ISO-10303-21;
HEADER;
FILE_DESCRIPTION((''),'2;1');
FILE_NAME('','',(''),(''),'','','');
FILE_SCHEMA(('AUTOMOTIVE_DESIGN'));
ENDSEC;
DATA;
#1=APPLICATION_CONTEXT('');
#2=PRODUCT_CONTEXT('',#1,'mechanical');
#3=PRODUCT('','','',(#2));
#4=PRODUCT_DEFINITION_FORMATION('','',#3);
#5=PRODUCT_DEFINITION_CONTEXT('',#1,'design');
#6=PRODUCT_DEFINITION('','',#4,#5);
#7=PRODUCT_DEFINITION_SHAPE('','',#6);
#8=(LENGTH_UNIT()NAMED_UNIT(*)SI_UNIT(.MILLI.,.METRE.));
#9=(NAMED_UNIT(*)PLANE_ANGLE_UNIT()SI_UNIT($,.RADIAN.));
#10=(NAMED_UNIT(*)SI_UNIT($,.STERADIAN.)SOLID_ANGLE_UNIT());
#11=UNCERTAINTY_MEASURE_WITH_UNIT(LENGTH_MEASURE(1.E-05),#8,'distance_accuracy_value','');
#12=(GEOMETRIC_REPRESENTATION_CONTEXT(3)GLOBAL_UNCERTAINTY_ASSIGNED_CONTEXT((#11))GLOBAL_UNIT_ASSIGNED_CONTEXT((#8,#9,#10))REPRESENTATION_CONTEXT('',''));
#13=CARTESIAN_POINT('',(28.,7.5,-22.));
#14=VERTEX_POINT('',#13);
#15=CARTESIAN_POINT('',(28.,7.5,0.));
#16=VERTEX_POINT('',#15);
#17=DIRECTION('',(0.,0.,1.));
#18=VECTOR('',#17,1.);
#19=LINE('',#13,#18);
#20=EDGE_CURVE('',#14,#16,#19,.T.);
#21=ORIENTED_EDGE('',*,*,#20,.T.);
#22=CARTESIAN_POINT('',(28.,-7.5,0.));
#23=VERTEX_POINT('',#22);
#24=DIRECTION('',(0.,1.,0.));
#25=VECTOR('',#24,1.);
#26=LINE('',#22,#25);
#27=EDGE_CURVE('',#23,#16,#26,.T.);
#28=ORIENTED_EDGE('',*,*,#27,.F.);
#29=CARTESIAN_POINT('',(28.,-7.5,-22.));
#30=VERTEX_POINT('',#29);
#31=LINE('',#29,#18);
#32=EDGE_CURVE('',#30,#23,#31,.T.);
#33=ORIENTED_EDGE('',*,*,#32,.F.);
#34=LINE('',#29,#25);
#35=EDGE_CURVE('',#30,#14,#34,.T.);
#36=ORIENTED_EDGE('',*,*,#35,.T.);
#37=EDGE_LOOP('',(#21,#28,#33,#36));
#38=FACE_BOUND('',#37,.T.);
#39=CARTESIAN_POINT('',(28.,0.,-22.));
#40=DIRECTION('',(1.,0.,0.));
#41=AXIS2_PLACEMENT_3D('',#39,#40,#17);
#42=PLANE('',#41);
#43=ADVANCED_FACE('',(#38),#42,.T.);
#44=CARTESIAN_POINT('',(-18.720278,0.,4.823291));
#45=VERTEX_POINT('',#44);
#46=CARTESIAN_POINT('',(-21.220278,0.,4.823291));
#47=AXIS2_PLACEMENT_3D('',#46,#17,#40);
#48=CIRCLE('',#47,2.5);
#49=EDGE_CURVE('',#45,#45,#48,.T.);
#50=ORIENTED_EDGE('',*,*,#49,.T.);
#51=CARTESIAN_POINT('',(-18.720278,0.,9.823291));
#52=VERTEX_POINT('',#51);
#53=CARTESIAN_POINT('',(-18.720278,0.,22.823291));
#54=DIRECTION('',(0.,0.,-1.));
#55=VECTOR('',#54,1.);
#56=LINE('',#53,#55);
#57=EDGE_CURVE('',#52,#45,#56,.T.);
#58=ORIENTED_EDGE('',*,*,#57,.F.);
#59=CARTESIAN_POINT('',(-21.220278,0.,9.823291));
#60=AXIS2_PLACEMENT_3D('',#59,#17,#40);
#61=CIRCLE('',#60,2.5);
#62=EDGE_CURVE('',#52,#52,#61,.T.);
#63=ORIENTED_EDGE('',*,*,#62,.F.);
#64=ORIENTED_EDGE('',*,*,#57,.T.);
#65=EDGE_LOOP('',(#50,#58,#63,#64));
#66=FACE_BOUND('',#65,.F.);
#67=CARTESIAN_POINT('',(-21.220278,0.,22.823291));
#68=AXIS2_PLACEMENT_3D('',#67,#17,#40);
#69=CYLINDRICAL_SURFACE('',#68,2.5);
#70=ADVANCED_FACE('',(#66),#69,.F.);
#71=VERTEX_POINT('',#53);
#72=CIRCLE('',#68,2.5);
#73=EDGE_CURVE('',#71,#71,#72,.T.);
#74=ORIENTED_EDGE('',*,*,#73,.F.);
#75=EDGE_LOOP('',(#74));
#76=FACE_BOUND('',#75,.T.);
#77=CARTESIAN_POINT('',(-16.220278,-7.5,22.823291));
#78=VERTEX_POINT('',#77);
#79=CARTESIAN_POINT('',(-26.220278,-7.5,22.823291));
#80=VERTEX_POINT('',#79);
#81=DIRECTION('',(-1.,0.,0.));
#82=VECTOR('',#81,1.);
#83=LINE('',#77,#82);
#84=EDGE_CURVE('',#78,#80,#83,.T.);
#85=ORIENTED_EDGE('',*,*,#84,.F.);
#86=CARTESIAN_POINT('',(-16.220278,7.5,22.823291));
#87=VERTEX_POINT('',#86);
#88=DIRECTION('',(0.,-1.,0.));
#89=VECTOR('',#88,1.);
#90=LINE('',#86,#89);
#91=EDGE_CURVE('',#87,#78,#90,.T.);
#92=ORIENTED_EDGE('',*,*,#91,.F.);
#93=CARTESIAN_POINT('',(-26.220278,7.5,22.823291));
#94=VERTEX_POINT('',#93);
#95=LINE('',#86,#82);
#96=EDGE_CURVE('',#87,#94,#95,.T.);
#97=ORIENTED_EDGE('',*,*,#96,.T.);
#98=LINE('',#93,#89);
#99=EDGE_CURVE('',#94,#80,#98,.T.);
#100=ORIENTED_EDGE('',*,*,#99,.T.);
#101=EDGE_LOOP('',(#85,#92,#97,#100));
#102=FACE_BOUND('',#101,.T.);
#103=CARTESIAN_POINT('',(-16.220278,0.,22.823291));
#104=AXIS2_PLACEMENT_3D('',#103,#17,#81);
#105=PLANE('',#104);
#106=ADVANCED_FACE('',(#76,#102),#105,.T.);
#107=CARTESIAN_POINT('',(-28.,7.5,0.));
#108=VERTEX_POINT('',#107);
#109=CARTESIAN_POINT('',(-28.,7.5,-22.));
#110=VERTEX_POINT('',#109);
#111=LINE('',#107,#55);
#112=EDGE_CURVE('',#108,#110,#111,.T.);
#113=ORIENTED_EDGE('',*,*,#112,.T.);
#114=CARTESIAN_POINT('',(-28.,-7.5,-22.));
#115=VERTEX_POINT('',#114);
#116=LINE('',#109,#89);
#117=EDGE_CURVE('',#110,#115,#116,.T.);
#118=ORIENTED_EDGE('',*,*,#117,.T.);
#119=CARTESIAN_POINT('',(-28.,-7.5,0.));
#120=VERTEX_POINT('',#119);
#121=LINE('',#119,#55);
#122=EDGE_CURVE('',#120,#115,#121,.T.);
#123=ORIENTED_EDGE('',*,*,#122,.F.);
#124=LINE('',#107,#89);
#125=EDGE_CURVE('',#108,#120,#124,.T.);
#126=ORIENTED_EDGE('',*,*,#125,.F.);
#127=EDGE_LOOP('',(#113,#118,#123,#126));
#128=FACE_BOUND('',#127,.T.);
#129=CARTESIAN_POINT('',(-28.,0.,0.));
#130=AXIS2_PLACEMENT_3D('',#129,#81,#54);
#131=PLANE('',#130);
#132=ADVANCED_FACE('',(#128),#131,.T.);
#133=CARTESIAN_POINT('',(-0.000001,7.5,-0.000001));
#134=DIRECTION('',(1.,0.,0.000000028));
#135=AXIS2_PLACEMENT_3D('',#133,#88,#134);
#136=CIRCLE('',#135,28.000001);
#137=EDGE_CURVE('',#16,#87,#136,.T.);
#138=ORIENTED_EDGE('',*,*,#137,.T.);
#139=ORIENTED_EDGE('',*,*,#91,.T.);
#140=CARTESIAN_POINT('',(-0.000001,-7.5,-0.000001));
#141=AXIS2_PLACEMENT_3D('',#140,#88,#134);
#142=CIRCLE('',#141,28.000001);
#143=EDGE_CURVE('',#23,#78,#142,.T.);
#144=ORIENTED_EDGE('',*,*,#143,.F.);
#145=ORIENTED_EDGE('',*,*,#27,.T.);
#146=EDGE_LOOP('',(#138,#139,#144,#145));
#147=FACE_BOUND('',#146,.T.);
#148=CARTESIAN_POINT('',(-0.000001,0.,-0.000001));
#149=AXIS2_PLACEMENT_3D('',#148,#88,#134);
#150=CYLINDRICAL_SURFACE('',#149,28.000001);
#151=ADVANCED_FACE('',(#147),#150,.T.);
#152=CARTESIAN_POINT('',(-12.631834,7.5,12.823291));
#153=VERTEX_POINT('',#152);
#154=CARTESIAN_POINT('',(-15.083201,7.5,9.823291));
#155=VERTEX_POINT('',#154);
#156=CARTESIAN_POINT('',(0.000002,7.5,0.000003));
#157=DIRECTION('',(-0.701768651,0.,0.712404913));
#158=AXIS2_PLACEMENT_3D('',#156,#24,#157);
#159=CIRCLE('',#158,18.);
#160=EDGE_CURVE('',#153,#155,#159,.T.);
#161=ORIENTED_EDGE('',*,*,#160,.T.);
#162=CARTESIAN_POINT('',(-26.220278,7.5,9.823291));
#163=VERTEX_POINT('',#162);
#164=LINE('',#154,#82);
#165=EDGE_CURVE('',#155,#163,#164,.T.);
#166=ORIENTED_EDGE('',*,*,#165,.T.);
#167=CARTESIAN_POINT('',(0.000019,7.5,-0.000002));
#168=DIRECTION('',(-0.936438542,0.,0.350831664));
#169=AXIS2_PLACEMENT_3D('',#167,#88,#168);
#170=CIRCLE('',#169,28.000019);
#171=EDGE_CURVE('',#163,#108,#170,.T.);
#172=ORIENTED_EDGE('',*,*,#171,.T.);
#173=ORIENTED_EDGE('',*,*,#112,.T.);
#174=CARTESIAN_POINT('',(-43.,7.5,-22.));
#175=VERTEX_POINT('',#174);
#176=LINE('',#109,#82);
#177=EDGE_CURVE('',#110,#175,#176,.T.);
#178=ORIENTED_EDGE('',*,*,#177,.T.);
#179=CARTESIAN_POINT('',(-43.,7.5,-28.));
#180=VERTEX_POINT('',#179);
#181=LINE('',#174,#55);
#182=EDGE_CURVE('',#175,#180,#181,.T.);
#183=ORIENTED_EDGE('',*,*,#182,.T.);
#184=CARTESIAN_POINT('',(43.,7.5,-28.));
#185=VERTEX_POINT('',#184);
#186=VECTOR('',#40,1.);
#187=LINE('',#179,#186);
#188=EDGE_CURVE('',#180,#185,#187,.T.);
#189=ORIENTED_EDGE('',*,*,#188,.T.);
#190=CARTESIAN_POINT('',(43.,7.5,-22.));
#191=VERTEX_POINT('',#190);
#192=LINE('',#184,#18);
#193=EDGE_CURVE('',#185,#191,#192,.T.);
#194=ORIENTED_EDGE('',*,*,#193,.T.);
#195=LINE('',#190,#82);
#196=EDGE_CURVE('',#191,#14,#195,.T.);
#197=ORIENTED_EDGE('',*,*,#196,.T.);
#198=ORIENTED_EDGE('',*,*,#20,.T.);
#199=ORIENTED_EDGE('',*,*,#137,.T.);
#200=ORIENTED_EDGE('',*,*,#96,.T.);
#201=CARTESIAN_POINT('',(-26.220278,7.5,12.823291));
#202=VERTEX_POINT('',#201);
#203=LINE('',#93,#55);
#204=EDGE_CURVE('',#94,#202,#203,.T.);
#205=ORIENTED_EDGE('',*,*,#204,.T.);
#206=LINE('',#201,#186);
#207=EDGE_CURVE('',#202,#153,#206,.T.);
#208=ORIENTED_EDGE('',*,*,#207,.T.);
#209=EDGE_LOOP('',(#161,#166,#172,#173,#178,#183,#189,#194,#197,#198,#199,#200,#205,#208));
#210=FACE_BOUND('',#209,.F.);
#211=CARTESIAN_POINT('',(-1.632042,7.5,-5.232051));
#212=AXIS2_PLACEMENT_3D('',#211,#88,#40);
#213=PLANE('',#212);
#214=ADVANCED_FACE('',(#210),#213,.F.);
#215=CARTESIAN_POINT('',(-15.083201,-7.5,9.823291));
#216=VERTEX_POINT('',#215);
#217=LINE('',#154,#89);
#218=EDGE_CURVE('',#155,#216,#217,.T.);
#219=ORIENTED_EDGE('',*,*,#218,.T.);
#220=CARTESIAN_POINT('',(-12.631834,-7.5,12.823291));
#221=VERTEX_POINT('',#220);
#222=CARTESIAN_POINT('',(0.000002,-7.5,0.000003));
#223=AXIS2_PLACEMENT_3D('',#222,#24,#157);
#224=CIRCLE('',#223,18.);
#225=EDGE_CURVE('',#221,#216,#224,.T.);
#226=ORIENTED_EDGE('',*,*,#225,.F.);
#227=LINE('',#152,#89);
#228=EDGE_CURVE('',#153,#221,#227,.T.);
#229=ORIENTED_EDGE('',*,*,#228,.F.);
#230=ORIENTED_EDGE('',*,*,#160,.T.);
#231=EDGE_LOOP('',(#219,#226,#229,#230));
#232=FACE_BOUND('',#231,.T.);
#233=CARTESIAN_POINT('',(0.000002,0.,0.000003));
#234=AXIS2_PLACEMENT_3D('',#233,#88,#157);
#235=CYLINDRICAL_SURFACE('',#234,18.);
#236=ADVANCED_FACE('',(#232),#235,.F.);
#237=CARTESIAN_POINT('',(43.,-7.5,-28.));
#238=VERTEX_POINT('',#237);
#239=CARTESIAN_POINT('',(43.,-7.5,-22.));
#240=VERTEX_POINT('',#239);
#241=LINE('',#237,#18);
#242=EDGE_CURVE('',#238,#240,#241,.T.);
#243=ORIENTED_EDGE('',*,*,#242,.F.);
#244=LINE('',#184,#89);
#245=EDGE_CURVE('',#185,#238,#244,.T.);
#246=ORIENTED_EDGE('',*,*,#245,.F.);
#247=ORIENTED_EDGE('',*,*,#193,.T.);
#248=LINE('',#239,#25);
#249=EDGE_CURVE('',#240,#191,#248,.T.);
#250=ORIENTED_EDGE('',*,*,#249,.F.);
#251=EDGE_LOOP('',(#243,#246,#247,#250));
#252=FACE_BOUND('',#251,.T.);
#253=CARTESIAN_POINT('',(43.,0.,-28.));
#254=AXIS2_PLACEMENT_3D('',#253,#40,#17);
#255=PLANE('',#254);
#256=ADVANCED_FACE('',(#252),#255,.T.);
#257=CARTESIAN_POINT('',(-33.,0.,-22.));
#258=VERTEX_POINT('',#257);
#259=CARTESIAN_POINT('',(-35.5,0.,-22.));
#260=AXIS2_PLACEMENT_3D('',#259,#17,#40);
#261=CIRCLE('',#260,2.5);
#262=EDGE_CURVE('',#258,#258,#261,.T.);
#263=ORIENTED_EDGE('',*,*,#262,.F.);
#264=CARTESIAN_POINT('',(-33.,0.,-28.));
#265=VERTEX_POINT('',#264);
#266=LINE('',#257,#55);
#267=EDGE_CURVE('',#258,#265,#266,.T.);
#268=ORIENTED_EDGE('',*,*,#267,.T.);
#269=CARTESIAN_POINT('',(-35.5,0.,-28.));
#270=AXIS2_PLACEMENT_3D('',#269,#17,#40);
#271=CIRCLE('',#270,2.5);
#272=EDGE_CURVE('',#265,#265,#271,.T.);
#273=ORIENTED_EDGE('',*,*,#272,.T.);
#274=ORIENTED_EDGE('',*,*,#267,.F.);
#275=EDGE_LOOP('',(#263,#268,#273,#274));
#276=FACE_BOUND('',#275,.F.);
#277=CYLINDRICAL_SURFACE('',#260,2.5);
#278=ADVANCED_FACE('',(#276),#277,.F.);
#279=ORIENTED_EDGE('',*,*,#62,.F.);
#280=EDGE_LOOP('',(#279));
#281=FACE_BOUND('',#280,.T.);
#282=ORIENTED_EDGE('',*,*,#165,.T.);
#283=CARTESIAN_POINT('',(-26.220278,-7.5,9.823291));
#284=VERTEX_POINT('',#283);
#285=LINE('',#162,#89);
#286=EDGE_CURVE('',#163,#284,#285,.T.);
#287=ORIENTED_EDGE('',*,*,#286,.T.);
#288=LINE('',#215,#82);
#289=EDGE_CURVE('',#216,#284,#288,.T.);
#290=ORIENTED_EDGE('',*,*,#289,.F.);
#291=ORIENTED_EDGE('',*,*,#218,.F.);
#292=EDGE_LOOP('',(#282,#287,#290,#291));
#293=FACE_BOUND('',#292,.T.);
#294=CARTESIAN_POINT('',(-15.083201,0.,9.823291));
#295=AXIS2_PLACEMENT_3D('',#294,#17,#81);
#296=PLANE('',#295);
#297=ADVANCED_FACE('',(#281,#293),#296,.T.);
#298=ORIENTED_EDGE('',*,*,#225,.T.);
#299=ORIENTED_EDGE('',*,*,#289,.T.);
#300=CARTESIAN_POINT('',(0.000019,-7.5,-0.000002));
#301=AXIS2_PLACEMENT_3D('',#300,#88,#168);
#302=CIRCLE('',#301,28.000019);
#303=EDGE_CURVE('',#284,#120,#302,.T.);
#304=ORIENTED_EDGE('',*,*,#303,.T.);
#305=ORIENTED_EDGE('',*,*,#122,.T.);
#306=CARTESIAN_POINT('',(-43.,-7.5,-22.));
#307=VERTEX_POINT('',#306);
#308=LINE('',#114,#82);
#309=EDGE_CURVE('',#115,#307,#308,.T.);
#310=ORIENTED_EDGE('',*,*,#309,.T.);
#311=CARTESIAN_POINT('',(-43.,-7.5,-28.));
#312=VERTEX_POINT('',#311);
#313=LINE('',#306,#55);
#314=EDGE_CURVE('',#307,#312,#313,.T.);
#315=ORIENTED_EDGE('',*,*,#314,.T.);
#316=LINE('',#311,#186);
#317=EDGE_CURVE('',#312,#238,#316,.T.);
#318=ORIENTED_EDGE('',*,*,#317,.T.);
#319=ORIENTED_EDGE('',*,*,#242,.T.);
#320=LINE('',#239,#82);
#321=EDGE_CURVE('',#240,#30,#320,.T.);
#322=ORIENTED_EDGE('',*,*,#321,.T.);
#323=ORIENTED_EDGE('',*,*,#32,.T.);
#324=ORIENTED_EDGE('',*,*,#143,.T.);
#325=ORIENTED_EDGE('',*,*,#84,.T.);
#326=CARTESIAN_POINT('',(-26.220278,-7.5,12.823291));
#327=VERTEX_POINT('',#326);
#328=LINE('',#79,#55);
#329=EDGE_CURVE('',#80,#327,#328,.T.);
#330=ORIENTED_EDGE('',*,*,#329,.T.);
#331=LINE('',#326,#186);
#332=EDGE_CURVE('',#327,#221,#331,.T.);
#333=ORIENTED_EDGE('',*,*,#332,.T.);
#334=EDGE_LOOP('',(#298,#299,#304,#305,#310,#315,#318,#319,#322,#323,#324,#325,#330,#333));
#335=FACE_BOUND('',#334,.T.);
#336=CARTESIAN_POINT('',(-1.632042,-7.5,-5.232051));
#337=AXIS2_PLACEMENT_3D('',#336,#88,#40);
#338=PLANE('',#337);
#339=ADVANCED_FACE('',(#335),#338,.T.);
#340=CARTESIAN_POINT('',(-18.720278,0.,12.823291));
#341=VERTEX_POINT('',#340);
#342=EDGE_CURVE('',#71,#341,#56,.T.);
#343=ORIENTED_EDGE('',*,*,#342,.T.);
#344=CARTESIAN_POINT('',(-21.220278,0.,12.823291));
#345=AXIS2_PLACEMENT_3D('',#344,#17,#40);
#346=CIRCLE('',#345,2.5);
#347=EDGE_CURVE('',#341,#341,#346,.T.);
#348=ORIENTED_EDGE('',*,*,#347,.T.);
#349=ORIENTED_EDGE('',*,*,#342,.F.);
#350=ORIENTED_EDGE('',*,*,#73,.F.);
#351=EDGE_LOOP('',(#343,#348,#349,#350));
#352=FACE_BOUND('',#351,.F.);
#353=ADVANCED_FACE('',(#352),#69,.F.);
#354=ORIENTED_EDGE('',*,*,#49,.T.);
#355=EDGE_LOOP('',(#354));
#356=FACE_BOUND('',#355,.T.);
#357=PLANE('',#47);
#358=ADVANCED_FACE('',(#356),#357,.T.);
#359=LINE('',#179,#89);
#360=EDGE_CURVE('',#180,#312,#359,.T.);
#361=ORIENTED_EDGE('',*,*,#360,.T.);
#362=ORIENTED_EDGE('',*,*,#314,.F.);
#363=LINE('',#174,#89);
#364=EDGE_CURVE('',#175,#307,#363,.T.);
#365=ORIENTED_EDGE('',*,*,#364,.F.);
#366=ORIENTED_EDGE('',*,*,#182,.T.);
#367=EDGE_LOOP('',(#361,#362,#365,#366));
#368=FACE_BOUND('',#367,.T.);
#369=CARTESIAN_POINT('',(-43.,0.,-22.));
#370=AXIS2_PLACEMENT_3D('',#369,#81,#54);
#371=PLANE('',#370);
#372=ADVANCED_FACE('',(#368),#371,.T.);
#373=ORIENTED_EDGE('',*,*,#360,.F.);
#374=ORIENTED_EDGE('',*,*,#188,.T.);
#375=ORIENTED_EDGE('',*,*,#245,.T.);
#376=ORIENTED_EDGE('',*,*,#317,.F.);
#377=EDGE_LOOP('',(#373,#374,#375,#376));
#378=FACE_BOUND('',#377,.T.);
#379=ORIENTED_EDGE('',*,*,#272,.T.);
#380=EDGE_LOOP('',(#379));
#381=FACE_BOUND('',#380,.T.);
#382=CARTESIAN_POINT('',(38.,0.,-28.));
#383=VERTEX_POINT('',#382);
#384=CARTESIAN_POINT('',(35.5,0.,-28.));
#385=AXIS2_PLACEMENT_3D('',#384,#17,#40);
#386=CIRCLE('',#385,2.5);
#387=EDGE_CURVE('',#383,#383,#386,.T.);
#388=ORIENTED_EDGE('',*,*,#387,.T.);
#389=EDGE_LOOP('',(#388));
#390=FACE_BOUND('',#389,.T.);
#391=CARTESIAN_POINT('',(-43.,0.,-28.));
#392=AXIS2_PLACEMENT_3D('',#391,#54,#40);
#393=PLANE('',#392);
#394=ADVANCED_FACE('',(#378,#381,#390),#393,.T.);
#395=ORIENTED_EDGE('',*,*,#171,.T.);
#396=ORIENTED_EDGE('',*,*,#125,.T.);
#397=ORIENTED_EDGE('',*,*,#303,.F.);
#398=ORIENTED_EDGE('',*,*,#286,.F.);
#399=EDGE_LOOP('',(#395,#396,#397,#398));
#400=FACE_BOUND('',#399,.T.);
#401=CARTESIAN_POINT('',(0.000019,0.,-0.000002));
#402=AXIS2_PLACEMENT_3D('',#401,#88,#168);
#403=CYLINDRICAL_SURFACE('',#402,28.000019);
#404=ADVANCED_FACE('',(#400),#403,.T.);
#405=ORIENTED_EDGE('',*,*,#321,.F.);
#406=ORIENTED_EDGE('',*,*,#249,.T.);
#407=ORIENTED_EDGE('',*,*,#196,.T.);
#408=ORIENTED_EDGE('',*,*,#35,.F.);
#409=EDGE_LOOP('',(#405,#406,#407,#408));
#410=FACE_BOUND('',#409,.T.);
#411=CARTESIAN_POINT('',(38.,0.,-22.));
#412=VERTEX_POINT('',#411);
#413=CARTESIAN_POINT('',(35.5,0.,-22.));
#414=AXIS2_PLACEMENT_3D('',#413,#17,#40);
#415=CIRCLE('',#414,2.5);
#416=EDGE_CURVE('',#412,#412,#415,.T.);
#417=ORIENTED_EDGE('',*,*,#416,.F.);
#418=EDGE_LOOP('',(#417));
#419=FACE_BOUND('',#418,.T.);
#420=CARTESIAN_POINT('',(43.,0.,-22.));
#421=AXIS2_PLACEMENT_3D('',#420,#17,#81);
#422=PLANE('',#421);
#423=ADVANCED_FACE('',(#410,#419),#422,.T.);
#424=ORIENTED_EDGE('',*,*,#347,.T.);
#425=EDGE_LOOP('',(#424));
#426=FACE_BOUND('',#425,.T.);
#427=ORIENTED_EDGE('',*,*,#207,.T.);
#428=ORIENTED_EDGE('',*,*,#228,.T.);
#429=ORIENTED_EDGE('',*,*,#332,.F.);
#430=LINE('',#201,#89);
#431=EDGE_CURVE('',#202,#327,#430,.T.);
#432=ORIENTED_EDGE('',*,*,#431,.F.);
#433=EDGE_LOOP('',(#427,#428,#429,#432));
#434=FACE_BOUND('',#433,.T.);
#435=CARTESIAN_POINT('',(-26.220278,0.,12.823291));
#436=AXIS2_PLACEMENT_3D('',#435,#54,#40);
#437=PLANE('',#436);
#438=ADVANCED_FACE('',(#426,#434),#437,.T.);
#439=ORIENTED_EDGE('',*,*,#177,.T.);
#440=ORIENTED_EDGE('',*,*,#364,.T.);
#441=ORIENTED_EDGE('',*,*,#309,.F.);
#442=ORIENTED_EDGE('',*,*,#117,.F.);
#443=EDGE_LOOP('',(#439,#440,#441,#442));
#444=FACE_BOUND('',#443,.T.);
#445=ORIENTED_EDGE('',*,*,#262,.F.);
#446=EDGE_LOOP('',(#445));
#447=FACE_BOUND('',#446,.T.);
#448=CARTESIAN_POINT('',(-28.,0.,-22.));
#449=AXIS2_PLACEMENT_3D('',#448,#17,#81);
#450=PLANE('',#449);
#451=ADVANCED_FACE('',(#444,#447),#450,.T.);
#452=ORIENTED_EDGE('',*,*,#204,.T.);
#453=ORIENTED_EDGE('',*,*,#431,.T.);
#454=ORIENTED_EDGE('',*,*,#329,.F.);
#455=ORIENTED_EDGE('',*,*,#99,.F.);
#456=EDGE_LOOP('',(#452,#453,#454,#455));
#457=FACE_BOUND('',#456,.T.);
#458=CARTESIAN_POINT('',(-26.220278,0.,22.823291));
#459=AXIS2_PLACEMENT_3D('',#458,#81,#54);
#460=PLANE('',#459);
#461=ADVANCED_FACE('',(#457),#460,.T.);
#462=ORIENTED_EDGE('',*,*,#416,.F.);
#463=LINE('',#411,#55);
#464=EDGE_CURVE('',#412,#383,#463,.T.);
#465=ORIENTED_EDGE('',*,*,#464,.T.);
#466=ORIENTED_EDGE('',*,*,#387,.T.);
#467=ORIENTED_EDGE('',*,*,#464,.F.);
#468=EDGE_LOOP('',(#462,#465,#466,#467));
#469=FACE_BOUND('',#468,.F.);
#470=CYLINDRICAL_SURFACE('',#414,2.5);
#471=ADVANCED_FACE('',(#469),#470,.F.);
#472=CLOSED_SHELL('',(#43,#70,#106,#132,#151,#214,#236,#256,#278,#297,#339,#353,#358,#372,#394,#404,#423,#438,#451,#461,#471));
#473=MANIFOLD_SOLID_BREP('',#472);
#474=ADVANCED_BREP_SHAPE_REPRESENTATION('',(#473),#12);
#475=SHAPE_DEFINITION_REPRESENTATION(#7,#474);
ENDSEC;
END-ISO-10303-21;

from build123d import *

# Parameters (mm, degrees)
F1_DEPTH = 7.5
F2_R     = 2.5
F3_DEPTH = 6
F4_R     = 2.5
F5_DEPTH = 18


with BuildPart() as f1:
    # F0 (on Front) → F1 (new body, symmetric)
    with BuildSketch(Plane.XZ):
        with BuildLine():
            ThreePointArc((28, 0), (12.841967, 24.881396), (-16.220278, 22.823291))
            Line((-16.220278, 22.823291), (-26.220278, 22.823291))
            Line((-26.220278, 22.823291), (-26.220278, 12.823291))
            Line((-26.220278, 12.823291), (-12.631834, 12.823291))
            ThreePointArc((-12.631834, 12.823291), (13.938464, -11.389434), (-15.083201, 9.823291))
            Line((-15.083201, 9.823291), (-26.220278, 9.823291))
            ThreePointArc((-26.220278, 9.823291), (-27.551477, 4.991604), (-28, 0))
            Line((-28, 0), (-28, -22))
            Line((-28, -22), (-43, -22))
            Line((-43, -22), (-43, -28))
            Line((-43, -28), (43, -28))
            Line((43, -28), (43, -22))
            Line((43, -22), (28, -22))
            Line((28, -22), (28, 0))
        make_face()
    extrude(amount=F1_DEPTH, both=True)

    # F2 (on face) → F3 (cut, through all)
    with BuildSketch(Plane.XY.offset(-22)):
        with Locations((-35.5, 0)):
            Circle(F2_R)
        with Locations((35.5, 0)):
            Circle(F2_R)
    extrude(amount=-F3_DEPTH, mode=Mode.SUBTRACT)

    # F4 (on face) → F5 (cut)
    with BuildSketch(Plane.XY.offset(22.823291)):
        with Locations((-21.220278, 0)):
            Circle(F4_R)
    extrude(amount=-F5_DEPTH, mode=Mode.SUBTRACT)


solid = f1.part
